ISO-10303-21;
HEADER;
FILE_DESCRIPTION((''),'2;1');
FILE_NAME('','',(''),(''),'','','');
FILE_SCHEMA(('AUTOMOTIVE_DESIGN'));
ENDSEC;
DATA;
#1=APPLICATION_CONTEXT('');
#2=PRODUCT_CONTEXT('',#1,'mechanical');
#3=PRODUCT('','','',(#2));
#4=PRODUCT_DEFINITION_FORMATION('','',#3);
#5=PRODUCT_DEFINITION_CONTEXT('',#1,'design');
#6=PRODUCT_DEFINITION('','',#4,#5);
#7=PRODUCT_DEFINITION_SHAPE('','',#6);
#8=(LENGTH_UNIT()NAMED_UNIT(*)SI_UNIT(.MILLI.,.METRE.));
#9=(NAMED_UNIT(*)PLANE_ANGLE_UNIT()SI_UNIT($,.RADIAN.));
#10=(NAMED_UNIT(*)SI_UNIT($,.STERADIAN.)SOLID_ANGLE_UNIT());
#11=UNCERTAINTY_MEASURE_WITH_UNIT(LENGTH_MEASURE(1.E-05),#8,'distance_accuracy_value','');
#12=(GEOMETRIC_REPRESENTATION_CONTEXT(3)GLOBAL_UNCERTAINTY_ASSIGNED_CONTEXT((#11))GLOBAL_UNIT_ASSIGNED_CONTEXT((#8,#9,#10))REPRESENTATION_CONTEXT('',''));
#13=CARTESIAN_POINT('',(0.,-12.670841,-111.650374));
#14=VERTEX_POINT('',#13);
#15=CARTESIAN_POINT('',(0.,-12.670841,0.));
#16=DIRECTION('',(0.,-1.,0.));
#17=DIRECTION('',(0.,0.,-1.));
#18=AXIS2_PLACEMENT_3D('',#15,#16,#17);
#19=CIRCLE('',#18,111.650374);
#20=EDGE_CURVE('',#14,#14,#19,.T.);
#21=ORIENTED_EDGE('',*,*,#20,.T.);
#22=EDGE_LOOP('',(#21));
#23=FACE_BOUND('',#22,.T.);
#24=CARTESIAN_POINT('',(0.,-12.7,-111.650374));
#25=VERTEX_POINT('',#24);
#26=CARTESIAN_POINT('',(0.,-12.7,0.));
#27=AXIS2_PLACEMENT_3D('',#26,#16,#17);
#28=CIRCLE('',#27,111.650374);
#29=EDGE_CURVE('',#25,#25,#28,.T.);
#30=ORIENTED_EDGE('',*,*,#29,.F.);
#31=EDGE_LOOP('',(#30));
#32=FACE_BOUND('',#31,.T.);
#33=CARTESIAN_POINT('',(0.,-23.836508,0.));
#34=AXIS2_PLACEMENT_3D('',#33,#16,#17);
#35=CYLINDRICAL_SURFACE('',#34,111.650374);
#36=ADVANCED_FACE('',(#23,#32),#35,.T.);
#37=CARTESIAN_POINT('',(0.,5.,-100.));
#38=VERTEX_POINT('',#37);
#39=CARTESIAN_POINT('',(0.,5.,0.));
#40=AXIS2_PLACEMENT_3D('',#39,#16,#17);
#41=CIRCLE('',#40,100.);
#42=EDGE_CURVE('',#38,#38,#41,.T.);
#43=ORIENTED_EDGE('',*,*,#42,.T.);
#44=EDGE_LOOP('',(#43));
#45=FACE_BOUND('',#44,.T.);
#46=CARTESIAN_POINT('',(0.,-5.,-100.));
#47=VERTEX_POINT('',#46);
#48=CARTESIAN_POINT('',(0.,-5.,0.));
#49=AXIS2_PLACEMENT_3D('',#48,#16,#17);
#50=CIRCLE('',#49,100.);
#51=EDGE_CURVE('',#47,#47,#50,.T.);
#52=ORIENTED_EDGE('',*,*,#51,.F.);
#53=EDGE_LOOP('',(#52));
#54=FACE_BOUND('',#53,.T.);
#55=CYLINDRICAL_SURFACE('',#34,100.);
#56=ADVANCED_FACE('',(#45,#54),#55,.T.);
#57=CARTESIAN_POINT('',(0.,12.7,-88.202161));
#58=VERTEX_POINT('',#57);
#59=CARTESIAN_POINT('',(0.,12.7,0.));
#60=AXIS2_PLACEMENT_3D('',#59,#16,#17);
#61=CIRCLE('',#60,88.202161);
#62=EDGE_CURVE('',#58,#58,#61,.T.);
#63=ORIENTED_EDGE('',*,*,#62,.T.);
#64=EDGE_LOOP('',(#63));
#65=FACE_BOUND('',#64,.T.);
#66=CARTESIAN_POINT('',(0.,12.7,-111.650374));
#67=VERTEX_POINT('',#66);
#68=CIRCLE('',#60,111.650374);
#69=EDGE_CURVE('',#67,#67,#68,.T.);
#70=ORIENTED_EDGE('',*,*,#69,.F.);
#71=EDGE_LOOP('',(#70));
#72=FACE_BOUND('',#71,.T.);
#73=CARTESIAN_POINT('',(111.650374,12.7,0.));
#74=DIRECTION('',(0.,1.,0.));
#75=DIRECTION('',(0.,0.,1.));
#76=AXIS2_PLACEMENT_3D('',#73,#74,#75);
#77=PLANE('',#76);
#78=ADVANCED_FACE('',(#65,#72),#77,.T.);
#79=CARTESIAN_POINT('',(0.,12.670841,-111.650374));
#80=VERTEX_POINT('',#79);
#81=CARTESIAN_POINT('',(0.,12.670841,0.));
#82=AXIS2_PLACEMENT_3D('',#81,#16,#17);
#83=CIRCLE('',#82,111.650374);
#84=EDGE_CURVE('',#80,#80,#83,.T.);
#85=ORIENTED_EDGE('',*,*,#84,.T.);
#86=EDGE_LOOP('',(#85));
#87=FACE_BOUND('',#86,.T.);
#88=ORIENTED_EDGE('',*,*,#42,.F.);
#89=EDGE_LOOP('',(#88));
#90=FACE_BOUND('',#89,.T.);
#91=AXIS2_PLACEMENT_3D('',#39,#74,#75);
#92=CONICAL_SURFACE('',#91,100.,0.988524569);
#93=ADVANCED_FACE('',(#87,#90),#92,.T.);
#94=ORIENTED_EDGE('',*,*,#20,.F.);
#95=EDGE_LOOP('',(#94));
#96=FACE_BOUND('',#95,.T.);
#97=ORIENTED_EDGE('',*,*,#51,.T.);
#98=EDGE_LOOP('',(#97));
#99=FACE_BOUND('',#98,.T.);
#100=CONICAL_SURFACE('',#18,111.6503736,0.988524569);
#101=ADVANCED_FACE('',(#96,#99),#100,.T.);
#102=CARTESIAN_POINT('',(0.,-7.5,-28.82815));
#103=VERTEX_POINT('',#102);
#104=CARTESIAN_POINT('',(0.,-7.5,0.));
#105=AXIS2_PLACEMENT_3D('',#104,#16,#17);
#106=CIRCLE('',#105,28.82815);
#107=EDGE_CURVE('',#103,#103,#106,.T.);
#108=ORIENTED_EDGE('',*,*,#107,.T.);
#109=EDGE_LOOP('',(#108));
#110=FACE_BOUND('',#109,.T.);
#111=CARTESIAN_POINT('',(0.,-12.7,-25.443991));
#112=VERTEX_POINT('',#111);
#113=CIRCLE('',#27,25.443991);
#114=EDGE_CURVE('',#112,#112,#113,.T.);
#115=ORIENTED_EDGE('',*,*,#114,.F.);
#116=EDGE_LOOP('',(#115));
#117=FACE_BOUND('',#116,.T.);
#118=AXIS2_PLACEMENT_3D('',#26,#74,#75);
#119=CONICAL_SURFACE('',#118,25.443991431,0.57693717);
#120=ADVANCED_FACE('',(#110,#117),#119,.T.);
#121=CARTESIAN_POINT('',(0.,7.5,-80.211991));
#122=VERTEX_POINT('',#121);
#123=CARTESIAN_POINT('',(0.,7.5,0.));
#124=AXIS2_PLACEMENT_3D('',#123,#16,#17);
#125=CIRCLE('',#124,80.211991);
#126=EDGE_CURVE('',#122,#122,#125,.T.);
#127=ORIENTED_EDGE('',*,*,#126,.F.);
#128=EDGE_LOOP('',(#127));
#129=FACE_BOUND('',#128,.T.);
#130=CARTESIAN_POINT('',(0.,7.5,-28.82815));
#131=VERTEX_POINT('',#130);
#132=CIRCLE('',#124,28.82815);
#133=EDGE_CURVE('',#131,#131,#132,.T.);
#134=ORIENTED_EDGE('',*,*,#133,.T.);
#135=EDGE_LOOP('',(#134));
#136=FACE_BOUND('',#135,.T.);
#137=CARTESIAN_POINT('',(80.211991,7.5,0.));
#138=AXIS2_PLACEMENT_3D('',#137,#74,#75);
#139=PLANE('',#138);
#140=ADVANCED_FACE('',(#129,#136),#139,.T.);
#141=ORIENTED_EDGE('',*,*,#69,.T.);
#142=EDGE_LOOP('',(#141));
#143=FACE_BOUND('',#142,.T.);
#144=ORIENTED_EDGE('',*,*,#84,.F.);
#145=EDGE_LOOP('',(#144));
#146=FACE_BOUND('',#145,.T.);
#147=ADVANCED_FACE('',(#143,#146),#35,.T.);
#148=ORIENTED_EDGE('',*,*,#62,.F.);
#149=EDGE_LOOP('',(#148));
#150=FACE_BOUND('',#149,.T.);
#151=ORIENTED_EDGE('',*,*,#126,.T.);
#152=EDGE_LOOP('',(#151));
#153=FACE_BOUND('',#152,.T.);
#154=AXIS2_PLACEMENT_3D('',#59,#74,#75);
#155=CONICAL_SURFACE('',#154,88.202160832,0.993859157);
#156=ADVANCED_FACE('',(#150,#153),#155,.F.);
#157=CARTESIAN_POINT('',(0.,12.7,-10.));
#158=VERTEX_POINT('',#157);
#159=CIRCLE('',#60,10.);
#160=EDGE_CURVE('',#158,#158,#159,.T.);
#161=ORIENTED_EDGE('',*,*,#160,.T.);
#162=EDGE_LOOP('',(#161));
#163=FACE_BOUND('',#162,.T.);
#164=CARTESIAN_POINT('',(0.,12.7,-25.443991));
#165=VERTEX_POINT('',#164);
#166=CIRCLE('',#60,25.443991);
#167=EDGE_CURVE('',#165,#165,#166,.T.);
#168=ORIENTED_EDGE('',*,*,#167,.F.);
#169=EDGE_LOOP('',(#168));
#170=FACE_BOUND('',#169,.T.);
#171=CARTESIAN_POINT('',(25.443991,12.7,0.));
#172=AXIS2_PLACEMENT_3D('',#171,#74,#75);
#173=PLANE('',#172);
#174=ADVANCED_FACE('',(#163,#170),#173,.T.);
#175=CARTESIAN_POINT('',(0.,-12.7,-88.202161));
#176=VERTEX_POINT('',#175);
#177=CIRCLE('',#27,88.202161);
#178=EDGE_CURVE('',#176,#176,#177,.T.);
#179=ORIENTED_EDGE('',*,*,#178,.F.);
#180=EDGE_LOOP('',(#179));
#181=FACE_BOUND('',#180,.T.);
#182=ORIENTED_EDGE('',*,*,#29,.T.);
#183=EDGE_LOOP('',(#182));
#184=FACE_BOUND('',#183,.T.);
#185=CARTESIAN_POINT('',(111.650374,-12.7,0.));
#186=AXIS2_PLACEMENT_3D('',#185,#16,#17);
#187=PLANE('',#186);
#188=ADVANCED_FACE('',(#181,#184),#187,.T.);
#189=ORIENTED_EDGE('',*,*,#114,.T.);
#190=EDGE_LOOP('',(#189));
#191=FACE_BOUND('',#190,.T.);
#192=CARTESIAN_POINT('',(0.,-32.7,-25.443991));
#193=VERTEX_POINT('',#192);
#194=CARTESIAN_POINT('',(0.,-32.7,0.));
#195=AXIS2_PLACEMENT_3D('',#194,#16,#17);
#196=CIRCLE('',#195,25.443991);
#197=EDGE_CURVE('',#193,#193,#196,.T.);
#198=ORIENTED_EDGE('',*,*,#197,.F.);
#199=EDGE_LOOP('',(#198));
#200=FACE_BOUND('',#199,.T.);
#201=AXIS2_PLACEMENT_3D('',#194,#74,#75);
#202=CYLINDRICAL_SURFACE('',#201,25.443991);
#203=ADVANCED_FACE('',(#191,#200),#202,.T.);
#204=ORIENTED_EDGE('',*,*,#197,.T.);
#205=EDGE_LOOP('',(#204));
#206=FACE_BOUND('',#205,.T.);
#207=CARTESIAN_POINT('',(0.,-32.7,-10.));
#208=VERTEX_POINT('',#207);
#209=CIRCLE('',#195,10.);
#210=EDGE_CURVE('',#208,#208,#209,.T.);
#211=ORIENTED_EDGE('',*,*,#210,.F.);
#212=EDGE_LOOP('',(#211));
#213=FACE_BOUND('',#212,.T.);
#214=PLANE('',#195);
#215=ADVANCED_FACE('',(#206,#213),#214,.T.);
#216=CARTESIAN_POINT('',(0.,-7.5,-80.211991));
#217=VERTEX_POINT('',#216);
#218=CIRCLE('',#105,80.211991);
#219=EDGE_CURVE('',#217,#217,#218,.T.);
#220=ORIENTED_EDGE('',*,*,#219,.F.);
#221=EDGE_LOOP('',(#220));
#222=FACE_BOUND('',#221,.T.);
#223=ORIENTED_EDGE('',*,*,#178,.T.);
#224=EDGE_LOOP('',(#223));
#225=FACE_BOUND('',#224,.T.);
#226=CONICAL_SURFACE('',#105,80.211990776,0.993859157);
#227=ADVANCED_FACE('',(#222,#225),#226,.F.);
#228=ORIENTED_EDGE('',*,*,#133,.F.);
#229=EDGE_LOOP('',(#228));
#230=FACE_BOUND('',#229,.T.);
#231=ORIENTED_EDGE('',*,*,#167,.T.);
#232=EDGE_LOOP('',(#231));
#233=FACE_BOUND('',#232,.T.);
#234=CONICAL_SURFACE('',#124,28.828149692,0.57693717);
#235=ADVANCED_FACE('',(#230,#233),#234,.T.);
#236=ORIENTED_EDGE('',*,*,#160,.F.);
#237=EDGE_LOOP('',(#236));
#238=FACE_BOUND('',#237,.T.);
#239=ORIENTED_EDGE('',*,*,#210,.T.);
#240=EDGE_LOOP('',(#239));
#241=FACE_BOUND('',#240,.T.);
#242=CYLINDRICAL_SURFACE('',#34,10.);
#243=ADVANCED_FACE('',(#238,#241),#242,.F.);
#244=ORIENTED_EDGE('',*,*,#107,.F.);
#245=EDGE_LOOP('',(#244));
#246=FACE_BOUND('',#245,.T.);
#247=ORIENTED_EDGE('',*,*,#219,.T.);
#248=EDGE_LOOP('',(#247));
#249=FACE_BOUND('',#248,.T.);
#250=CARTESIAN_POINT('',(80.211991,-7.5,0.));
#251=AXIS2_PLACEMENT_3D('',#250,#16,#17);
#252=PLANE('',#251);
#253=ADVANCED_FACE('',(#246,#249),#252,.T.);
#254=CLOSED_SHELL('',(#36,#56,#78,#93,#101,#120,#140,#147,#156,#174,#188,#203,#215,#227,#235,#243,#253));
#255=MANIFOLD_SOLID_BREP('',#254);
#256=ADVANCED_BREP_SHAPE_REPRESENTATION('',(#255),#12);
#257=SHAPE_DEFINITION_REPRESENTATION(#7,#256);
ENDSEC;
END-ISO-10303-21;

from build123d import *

# Parameters (mm, degrees)
CROQUIS2_R              = 25.443991431
CROQUIS2_R_2            = 10
SALIENTE_EXTRUIR1_DEPTH = 20


with BuildPart() as part:
    # Croquis1 → Revolución1 (revolve)
    with BuildSketch(Plane.XY, mode=Mode.PRIVATE) as revoluci_n1_sk:
        Polygon((100, 5), (100, -5), (111.6503736, -12.670841247), (111.6503736, -12.7), (88.202160832, -12.7), (80.211990776, -7.5), (28.828149692, -7.5), (25.443991431, -12.7), (10, -12.7), (10, 12.7), (25.443991431, 12.7), (28.828149692, 7.5), (80.211990776, 7.5), (88.202160832, 12.7), (111.6503736, 12.7), (111.6503736, 12.670841247), align=None)
    revolve(revoluci_n1_sk.sketch.rotate(Axis((0, -23.836508292, 0), (0, 1, 0)), 90), axis=Axis((0, -23.836508292, 0), (0, 1, 0)))

    # Croquis2 → Saliente-Extruir1 (add)
    with BuildSketch(Plane.XZ.offset(12.7)):
        with Locations(Location((0, 0, 0), (0, 0, 270))):
            Circle(CROQUIS2_R)
        with Locations(Location((0, 0, 0), (0, 0, 270))):
            Circle(CROQUIS2_R_2, mode=Mode.SUBTRACT)
    extrude(amount=SALIENTE_EXTRUIR1_DEPTH)


solid = part.part
